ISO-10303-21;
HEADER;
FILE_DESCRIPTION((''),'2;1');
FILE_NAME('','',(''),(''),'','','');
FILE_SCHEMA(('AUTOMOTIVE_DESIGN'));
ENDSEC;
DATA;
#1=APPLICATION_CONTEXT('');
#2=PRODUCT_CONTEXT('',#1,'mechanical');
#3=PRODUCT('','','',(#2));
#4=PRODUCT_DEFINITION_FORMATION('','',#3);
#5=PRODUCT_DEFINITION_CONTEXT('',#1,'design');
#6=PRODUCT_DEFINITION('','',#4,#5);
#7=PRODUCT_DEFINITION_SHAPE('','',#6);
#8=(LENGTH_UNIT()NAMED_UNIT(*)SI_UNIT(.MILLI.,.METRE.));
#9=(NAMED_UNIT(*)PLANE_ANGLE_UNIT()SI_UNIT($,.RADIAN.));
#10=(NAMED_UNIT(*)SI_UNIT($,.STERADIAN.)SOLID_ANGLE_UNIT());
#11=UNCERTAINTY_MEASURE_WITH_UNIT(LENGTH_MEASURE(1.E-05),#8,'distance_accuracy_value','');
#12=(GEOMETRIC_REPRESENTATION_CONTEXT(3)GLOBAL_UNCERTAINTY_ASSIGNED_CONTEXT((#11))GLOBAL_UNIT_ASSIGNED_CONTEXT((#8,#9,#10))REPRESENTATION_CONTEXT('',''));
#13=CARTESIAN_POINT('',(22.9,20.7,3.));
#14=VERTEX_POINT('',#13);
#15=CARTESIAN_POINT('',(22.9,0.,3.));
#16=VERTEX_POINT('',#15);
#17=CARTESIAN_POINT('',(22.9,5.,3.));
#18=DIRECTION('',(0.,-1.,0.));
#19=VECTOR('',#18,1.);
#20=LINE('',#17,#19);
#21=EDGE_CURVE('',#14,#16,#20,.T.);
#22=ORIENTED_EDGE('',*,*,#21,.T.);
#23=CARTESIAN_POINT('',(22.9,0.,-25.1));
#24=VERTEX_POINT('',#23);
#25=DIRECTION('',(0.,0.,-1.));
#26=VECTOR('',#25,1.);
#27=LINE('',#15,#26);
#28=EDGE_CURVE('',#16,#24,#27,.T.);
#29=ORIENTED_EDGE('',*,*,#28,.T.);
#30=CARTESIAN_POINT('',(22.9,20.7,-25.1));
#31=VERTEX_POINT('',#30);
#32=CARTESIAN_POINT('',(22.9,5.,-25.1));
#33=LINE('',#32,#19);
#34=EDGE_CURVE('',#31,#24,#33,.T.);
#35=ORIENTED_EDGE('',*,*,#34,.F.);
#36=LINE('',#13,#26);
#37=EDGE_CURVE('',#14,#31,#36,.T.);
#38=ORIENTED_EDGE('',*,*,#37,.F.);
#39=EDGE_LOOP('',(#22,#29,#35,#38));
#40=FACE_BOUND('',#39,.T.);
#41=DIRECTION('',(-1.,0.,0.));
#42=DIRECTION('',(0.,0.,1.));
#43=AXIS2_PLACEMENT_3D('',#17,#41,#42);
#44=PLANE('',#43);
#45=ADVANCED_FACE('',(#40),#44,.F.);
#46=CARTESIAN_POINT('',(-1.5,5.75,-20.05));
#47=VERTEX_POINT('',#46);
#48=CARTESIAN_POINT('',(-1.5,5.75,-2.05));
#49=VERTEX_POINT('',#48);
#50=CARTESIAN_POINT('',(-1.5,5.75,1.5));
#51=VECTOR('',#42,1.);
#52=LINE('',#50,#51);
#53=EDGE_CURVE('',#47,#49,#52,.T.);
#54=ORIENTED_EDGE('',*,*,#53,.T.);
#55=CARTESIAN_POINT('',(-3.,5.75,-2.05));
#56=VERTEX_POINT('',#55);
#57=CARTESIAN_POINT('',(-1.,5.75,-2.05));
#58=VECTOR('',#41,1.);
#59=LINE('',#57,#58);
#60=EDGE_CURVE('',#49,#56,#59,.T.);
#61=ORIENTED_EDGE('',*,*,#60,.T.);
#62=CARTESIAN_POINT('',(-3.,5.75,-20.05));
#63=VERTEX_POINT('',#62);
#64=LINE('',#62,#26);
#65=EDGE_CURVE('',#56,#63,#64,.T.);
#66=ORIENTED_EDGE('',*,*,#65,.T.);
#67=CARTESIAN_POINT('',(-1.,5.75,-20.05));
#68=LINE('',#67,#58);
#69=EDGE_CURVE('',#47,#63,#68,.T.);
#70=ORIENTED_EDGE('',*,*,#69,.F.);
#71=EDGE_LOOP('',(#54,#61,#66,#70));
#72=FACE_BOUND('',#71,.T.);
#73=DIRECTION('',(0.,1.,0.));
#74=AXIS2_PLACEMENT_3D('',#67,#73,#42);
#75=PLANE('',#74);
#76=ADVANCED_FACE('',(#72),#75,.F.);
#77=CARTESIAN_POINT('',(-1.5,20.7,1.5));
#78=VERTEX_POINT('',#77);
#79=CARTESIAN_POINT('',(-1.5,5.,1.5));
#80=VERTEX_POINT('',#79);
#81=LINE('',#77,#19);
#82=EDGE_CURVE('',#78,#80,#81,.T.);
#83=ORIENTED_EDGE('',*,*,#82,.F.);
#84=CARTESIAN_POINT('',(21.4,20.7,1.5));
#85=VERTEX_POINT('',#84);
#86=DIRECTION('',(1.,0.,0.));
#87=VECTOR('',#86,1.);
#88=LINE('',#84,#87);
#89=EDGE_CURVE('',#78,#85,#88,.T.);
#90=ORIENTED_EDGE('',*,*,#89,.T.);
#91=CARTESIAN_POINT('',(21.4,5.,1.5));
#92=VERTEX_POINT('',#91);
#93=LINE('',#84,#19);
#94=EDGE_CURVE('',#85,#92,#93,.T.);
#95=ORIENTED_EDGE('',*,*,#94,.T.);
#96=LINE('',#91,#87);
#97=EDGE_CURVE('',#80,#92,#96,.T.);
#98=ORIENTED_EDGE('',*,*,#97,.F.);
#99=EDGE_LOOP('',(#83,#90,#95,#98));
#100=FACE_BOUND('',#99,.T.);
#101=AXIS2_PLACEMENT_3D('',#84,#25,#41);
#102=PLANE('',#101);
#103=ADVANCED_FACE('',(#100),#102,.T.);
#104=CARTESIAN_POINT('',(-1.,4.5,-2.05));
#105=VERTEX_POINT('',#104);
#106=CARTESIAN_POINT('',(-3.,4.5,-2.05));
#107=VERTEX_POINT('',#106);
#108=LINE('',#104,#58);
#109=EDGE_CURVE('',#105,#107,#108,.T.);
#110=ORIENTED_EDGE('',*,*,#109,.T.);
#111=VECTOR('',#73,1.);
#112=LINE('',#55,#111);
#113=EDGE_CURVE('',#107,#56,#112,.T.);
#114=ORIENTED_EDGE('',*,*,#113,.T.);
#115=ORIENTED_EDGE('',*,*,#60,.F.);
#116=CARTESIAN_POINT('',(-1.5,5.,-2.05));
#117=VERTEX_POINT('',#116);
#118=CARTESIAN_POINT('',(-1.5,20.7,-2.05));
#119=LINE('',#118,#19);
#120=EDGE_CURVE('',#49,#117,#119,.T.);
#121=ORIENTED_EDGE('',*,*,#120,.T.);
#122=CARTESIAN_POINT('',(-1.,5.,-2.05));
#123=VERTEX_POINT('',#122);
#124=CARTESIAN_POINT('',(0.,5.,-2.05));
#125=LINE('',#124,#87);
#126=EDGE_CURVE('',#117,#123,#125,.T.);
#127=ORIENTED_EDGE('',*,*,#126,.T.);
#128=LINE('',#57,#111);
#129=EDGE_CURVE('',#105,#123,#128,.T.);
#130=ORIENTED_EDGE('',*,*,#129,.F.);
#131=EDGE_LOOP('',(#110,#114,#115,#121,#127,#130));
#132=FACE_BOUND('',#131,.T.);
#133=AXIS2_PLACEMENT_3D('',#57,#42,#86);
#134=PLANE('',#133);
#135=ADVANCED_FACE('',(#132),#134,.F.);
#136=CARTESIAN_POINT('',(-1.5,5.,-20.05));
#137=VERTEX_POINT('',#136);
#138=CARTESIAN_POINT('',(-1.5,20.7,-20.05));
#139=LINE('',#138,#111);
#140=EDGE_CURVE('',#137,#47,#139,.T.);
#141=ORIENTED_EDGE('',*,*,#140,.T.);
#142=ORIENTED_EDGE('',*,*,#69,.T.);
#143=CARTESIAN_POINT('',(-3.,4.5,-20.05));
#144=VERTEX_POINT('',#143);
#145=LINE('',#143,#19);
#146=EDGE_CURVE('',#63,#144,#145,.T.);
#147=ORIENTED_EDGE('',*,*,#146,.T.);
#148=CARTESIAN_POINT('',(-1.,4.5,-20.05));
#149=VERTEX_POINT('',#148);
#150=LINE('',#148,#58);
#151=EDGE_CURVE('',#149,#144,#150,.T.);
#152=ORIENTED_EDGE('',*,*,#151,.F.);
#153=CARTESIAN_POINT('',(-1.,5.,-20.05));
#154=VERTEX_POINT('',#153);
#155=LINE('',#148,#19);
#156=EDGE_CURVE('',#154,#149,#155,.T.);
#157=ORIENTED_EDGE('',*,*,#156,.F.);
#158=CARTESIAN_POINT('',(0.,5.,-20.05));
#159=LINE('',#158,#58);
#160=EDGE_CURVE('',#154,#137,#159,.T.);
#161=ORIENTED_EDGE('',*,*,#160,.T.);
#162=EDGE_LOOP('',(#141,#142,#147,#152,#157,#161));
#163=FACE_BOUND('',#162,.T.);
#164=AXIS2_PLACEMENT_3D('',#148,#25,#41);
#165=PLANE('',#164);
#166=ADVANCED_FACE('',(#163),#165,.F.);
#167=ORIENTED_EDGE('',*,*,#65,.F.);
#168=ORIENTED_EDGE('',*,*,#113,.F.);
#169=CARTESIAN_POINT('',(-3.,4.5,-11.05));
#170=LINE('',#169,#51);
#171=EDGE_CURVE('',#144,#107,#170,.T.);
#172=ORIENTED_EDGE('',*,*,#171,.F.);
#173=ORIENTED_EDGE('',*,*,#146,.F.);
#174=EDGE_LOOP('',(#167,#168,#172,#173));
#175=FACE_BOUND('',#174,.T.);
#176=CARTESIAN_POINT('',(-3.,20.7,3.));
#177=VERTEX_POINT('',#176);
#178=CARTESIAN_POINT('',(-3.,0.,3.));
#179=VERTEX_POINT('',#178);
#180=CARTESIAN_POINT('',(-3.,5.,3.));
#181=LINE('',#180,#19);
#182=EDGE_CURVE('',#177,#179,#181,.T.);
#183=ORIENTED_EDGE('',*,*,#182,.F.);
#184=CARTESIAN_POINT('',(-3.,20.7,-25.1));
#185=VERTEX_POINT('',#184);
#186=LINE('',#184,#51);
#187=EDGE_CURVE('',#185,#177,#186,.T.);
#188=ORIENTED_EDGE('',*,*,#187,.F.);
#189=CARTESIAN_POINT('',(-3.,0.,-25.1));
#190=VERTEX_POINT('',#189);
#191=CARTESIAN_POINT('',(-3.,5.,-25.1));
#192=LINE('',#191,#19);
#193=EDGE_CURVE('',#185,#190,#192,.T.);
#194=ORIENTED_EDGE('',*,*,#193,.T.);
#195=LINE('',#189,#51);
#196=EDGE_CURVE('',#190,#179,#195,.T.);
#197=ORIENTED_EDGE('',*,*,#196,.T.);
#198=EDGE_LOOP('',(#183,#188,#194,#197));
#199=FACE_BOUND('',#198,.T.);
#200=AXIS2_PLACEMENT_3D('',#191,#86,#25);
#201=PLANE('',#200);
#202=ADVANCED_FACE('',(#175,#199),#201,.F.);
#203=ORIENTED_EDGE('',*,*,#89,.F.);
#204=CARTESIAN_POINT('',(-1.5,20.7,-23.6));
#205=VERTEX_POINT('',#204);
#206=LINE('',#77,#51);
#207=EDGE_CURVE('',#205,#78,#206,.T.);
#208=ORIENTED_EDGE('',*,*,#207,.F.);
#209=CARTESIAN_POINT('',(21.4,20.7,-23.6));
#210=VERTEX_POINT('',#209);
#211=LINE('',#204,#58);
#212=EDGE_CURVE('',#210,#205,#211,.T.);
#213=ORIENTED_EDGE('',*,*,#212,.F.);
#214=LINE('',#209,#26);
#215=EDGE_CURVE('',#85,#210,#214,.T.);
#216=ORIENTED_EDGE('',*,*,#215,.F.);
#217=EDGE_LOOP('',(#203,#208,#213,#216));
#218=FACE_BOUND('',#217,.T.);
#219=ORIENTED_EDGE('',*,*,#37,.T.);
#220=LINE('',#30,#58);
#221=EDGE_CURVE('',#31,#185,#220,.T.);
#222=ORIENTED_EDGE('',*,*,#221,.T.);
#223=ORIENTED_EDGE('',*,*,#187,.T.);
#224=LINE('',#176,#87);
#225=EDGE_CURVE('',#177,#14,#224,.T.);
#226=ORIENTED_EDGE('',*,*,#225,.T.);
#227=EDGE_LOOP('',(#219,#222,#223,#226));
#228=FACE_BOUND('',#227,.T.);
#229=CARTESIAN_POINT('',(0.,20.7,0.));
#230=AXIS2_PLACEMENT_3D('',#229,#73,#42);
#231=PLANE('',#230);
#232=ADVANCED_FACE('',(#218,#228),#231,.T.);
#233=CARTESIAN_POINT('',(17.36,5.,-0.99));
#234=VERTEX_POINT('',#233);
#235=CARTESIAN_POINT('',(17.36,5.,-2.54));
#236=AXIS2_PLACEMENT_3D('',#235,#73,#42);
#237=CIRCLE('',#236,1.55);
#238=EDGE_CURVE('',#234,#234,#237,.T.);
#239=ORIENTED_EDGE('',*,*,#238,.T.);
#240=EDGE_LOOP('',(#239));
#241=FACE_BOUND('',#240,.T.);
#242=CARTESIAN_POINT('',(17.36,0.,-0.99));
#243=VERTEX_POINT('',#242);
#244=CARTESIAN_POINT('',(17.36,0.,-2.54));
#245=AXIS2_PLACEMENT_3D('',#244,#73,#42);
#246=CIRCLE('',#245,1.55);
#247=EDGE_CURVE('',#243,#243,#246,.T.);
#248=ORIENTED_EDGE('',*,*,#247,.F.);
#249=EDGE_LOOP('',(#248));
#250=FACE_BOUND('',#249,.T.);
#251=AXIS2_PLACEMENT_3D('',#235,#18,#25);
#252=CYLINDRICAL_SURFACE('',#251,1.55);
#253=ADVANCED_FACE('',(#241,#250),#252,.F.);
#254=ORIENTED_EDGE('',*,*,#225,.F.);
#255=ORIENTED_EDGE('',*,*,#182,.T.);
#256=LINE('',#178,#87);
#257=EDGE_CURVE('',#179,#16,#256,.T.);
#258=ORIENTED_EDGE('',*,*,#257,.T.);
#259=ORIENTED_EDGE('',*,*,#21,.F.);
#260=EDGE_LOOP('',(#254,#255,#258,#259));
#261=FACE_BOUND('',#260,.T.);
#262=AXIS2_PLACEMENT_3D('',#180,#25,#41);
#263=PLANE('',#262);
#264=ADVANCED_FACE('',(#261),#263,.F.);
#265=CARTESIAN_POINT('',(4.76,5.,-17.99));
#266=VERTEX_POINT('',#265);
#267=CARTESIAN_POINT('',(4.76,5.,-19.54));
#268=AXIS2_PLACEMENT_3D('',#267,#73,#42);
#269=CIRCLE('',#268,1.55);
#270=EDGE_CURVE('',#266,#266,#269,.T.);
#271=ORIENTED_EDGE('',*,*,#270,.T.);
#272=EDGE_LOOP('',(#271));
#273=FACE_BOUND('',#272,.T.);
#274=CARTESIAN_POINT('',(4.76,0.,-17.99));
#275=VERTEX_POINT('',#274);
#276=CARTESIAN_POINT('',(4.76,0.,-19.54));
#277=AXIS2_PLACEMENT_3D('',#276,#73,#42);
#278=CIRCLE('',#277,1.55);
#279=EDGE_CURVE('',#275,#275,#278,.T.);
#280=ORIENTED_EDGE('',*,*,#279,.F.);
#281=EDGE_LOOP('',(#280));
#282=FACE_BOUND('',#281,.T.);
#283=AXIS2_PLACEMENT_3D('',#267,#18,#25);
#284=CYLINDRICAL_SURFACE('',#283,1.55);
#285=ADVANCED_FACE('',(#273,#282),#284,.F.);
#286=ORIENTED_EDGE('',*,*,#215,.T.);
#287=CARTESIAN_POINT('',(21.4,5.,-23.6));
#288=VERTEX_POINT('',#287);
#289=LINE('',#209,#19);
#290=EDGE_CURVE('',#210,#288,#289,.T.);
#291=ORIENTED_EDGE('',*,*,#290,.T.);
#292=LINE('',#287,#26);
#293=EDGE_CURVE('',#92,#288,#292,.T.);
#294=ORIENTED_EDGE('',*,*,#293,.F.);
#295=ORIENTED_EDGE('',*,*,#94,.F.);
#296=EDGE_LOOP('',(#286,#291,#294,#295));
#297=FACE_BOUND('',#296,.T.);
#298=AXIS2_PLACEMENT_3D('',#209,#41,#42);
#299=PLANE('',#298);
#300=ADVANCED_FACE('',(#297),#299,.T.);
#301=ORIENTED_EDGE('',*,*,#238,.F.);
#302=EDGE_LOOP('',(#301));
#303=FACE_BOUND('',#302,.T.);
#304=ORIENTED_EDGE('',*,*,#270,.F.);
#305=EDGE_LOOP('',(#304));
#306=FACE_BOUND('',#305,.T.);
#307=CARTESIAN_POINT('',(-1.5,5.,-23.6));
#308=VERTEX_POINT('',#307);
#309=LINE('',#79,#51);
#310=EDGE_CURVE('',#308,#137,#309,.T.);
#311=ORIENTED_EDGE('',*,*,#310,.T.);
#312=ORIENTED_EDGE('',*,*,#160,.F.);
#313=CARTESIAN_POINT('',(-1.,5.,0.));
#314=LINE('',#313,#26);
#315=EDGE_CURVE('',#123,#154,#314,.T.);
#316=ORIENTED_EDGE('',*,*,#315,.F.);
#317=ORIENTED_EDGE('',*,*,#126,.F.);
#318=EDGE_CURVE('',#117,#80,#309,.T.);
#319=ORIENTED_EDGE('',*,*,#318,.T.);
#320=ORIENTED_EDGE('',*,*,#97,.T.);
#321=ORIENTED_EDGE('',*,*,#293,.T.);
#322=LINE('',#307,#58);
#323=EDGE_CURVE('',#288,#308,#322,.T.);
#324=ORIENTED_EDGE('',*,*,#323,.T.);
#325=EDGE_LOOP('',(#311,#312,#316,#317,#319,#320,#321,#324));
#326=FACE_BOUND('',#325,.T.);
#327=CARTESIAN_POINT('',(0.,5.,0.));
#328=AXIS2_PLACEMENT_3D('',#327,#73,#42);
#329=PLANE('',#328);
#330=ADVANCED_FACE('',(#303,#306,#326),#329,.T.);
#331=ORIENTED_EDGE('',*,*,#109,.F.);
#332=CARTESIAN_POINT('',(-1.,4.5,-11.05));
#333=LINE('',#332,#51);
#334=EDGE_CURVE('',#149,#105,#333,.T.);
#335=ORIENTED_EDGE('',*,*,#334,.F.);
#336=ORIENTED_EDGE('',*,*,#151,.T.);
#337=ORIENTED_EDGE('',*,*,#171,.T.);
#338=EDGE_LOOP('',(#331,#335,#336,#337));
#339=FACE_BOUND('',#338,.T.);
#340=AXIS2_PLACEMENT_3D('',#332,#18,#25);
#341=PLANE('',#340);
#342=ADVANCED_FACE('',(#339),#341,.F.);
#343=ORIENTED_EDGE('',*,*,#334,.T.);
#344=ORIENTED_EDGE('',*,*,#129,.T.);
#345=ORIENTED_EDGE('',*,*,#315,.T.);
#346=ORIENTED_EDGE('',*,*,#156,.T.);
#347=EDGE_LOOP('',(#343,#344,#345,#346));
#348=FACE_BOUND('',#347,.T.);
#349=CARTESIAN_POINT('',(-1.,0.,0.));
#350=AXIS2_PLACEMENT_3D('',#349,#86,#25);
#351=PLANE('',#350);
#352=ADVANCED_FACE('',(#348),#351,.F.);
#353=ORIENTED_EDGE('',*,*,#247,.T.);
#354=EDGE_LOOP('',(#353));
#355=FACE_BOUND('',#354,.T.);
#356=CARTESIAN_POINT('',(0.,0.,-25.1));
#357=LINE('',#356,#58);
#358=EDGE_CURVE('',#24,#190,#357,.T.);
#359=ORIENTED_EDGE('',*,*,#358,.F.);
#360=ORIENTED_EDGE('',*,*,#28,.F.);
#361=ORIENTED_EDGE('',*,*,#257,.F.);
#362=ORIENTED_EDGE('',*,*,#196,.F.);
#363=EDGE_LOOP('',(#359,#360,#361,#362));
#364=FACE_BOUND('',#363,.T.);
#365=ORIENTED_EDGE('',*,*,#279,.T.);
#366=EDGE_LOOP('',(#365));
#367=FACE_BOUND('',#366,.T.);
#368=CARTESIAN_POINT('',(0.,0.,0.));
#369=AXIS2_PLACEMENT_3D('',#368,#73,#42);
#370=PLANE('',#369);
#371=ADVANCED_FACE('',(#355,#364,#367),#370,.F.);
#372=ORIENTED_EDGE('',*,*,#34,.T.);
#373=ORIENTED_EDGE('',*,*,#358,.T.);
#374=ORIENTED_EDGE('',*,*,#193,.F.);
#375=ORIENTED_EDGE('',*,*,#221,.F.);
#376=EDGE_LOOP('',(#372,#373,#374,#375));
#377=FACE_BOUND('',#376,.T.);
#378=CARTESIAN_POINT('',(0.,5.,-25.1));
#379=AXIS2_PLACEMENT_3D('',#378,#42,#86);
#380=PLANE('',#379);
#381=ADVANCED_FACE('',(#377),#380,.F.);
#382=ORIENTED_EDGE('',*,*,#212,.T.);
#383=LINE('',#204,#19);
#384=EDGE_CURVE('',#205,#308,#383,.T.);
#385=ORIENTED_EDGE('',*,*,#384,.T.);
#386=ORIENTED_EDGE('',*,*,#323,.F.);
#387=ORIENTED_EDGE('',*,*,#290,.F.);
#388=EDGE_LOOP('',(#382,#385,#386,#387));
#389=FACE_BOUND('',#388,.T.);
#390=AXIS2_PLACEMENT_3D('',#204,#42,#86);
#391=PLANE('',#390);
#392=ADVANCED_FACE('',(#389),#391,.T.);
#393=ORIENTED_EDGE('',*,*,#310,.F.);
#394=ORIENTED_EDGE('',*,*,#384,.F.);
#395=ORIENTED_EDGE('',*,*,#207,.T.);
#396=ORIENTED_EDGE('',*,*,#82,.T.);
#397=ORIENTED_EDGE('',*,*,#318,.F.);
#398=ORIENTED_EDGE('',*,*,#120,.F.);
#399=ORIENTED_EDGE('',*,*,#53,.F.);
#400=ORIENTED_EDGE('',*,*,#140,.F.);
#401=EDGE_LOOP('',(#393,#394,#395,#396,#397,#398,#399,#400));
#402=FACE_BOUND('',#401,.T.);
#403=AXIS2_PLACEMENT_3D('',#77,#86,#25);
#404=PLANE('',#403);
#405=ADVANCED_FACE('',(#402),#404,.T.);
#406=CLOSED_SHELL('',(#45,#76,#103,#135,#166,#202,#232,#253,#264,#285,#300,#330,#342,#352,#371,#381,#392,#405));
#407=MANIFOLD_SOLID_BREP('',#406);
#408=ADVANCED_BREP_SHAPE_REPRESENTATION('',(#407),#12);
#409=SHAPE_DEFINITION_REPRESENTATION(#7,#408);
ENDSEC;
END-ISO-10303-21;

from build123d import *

# Parameters (mm, degrees)
SKETCH1_R           = 1.55
BOSS_EXTRUDE1_DEPTH = 5
SKETCH2_W           = 25.9
SKETCH2_H           = 28.1
SKETCH2_W_2         = 22.9
SKETCH2_H_2         = 25.1
BOSS_EXTRUDE2_DEPTH = 15.7
CUT_EXTRUDE1_DEPTH  = 2


with BuildPart() as part:
    # Sketch1 → Boss-Extrude1 (new body)
    with BuildSketch(Plane(origin=(0, 0, 0), x_dir=(1, 0, 0), z_dir=(0, 1, 0))):
        Polygon((0, 25.1), (-3, 25.1), (-3, -3), (22.9, -3), (22.9, 25.1), align=None)
        with Locations(Location((17.36, 2.54, 0), (0, 0, 270))):
            Circle(SKETCH1_R, mode=Mode.SUBTRACT)
        with Locations(Location((4.76, 19.54, 0), (0, 0, 270))):
            Circle(SKETCH1_R, mode=Mode.SUBTRACT)
    extrude(amount=BOSS_EXTRUDE1_DEPTH)

    # Sketch2 → Boss-Extrude2 (add)
    with BuildSketch(Plane(origin=(0, 5, 0), x_dir=(1, 0, 0), z_dir=(0, 1, 0))):
        with Locations((9.95, 11.05)):
            Rectangle(SKETCH2_W, SKETCH2_H)
        with Locations((9.95, 11.05)):
            Rectangle(SKETCH2_W_2, SKETCH2_H_2, mode=Mode.SUBTRACT)
    extrude(amount=BOSS_EXTRUDE2_DEPTH)

    # Sketch3 → Cut-Extrude1 (cut)
    with BuildSketch(Plane.ZY.offset(3)):
        Polygon((-11.05, 4.5), (-20.05, 4.5), (-20.05, 5.75), (-2.05, 5.75), (-2.05, 4.5), align=None)
    extrude(amount=-CUT_EXTRUDE1_DEPTH, mode=Mode.SUBTRACT)


solid = part.part
